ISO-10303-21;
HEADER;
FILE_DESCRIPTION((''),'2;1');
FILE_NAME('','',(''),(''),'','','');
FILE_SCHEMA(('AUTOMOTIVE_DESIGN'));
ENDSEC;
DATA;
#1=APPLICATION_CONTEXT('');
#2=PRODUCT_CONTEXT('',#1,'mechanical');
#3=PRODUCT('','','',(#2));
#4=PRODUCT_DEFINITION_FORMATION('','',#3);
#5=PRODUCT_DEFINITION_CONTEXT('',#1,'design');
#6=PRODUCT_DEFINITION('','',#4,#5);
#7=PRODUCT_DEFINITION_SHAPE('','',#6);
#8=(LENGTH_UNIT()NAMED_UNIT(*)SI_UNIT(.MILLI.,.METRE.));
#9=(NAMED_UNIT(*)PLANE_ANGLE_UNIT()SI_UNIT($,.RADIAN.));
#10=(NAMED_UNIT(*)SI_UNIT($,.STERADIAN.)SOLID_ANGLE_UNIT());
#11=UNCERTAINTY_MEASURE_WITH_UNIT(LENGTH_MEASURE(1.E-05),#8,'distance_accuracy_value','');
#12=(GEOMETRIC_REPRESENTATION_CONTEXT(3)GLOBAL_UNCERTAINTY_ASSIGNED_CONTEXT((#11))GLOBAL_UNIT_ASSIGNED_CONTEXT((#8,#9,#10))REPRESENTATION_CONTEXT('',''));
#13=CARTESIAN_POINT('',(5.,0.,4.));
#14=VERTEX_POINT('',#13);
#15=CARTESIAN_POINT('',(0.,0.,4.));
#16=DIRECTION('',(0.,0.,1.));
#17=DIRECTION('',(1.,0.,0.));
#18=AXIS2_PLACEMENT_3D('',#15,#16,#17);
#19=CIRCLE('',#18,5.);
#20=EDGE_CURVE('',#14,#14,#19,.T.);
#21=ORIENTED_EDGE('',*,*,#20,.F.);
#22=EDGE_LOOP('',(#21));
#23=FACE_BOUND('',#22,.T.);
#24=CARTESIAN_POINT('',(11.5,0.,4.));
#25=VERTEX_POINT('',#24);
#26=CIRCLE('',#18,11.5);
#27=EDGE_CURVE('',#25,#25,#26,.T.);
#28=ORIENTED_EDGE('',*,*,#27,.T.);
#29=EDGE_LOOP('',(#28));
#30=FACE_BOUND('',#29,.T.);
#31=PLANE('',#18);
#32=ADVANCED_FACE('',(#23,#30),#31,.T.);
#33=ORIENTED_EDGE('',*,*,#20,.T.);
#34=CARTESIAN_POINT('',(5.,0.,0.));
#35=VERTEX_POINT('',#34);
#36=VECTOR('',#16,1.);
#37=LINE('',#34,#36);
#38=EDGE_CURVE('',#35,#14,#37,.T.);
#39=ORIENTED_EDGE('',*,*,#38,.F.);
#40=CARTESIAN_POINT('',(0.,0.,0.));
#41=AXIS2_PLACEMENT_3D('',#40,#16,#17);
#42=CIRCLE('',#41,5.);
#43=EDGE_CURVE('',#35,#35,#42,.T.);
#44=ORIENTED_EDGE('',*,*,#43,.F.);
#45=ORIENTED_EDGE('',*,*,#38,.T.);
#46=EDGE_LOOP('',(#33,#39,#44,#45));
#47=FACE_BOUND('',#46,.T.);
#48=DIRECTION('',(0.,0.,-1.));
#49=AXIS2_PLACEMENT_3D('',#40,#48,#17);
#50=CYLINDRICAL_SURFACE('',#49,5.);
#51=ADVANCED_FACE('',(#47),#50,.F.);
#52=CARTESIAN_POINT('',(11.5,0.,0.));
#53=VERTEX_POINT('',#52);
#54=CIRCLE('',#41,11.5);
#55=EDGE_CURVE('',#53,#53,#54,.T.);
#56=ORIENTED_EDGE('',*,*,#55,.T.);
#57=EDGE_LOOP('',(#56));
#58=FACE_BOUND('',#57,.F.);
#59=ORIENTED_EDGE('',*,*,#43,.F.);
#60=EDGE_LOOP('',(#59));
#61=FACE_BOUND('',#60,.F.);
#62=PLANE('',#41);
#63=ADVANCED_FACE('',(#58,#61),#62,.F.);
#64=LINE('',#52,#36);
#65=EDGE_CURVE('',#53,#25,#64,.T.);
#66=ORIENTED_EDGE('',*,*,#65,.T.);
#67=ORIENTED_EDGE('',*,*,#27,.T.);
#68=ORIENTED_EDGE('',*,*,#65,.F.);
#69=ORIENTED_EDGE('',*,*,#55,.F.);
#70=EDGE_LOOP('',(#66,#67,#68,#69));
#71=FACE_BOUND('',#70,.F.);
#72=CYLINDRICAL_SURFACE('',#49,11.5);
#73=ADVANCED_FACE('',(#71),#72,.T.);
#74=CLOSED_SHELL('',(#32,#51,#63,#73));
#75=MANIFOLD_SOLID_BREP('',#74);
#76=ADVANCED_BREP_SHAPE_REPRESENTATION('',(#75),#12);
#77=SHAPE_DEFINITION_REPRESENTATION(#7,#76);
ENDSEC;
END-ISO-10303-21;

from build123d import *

# Parameters (mm, degrees)
SKETCH_R   = 11.5
SKETCH_R_2 = 5
PAD_DEPTH  = 4


with BuildPart() as part:
    # Sketch → Pad (new body)
    with BuildSketch(Plane.XY):
        Circle(SKETCH_R)
        Circle(SKETCH_R_2, mode=Mode.SUBTRACT)
    extrude(amount=PAD_DEPTH)


solid = part.part
